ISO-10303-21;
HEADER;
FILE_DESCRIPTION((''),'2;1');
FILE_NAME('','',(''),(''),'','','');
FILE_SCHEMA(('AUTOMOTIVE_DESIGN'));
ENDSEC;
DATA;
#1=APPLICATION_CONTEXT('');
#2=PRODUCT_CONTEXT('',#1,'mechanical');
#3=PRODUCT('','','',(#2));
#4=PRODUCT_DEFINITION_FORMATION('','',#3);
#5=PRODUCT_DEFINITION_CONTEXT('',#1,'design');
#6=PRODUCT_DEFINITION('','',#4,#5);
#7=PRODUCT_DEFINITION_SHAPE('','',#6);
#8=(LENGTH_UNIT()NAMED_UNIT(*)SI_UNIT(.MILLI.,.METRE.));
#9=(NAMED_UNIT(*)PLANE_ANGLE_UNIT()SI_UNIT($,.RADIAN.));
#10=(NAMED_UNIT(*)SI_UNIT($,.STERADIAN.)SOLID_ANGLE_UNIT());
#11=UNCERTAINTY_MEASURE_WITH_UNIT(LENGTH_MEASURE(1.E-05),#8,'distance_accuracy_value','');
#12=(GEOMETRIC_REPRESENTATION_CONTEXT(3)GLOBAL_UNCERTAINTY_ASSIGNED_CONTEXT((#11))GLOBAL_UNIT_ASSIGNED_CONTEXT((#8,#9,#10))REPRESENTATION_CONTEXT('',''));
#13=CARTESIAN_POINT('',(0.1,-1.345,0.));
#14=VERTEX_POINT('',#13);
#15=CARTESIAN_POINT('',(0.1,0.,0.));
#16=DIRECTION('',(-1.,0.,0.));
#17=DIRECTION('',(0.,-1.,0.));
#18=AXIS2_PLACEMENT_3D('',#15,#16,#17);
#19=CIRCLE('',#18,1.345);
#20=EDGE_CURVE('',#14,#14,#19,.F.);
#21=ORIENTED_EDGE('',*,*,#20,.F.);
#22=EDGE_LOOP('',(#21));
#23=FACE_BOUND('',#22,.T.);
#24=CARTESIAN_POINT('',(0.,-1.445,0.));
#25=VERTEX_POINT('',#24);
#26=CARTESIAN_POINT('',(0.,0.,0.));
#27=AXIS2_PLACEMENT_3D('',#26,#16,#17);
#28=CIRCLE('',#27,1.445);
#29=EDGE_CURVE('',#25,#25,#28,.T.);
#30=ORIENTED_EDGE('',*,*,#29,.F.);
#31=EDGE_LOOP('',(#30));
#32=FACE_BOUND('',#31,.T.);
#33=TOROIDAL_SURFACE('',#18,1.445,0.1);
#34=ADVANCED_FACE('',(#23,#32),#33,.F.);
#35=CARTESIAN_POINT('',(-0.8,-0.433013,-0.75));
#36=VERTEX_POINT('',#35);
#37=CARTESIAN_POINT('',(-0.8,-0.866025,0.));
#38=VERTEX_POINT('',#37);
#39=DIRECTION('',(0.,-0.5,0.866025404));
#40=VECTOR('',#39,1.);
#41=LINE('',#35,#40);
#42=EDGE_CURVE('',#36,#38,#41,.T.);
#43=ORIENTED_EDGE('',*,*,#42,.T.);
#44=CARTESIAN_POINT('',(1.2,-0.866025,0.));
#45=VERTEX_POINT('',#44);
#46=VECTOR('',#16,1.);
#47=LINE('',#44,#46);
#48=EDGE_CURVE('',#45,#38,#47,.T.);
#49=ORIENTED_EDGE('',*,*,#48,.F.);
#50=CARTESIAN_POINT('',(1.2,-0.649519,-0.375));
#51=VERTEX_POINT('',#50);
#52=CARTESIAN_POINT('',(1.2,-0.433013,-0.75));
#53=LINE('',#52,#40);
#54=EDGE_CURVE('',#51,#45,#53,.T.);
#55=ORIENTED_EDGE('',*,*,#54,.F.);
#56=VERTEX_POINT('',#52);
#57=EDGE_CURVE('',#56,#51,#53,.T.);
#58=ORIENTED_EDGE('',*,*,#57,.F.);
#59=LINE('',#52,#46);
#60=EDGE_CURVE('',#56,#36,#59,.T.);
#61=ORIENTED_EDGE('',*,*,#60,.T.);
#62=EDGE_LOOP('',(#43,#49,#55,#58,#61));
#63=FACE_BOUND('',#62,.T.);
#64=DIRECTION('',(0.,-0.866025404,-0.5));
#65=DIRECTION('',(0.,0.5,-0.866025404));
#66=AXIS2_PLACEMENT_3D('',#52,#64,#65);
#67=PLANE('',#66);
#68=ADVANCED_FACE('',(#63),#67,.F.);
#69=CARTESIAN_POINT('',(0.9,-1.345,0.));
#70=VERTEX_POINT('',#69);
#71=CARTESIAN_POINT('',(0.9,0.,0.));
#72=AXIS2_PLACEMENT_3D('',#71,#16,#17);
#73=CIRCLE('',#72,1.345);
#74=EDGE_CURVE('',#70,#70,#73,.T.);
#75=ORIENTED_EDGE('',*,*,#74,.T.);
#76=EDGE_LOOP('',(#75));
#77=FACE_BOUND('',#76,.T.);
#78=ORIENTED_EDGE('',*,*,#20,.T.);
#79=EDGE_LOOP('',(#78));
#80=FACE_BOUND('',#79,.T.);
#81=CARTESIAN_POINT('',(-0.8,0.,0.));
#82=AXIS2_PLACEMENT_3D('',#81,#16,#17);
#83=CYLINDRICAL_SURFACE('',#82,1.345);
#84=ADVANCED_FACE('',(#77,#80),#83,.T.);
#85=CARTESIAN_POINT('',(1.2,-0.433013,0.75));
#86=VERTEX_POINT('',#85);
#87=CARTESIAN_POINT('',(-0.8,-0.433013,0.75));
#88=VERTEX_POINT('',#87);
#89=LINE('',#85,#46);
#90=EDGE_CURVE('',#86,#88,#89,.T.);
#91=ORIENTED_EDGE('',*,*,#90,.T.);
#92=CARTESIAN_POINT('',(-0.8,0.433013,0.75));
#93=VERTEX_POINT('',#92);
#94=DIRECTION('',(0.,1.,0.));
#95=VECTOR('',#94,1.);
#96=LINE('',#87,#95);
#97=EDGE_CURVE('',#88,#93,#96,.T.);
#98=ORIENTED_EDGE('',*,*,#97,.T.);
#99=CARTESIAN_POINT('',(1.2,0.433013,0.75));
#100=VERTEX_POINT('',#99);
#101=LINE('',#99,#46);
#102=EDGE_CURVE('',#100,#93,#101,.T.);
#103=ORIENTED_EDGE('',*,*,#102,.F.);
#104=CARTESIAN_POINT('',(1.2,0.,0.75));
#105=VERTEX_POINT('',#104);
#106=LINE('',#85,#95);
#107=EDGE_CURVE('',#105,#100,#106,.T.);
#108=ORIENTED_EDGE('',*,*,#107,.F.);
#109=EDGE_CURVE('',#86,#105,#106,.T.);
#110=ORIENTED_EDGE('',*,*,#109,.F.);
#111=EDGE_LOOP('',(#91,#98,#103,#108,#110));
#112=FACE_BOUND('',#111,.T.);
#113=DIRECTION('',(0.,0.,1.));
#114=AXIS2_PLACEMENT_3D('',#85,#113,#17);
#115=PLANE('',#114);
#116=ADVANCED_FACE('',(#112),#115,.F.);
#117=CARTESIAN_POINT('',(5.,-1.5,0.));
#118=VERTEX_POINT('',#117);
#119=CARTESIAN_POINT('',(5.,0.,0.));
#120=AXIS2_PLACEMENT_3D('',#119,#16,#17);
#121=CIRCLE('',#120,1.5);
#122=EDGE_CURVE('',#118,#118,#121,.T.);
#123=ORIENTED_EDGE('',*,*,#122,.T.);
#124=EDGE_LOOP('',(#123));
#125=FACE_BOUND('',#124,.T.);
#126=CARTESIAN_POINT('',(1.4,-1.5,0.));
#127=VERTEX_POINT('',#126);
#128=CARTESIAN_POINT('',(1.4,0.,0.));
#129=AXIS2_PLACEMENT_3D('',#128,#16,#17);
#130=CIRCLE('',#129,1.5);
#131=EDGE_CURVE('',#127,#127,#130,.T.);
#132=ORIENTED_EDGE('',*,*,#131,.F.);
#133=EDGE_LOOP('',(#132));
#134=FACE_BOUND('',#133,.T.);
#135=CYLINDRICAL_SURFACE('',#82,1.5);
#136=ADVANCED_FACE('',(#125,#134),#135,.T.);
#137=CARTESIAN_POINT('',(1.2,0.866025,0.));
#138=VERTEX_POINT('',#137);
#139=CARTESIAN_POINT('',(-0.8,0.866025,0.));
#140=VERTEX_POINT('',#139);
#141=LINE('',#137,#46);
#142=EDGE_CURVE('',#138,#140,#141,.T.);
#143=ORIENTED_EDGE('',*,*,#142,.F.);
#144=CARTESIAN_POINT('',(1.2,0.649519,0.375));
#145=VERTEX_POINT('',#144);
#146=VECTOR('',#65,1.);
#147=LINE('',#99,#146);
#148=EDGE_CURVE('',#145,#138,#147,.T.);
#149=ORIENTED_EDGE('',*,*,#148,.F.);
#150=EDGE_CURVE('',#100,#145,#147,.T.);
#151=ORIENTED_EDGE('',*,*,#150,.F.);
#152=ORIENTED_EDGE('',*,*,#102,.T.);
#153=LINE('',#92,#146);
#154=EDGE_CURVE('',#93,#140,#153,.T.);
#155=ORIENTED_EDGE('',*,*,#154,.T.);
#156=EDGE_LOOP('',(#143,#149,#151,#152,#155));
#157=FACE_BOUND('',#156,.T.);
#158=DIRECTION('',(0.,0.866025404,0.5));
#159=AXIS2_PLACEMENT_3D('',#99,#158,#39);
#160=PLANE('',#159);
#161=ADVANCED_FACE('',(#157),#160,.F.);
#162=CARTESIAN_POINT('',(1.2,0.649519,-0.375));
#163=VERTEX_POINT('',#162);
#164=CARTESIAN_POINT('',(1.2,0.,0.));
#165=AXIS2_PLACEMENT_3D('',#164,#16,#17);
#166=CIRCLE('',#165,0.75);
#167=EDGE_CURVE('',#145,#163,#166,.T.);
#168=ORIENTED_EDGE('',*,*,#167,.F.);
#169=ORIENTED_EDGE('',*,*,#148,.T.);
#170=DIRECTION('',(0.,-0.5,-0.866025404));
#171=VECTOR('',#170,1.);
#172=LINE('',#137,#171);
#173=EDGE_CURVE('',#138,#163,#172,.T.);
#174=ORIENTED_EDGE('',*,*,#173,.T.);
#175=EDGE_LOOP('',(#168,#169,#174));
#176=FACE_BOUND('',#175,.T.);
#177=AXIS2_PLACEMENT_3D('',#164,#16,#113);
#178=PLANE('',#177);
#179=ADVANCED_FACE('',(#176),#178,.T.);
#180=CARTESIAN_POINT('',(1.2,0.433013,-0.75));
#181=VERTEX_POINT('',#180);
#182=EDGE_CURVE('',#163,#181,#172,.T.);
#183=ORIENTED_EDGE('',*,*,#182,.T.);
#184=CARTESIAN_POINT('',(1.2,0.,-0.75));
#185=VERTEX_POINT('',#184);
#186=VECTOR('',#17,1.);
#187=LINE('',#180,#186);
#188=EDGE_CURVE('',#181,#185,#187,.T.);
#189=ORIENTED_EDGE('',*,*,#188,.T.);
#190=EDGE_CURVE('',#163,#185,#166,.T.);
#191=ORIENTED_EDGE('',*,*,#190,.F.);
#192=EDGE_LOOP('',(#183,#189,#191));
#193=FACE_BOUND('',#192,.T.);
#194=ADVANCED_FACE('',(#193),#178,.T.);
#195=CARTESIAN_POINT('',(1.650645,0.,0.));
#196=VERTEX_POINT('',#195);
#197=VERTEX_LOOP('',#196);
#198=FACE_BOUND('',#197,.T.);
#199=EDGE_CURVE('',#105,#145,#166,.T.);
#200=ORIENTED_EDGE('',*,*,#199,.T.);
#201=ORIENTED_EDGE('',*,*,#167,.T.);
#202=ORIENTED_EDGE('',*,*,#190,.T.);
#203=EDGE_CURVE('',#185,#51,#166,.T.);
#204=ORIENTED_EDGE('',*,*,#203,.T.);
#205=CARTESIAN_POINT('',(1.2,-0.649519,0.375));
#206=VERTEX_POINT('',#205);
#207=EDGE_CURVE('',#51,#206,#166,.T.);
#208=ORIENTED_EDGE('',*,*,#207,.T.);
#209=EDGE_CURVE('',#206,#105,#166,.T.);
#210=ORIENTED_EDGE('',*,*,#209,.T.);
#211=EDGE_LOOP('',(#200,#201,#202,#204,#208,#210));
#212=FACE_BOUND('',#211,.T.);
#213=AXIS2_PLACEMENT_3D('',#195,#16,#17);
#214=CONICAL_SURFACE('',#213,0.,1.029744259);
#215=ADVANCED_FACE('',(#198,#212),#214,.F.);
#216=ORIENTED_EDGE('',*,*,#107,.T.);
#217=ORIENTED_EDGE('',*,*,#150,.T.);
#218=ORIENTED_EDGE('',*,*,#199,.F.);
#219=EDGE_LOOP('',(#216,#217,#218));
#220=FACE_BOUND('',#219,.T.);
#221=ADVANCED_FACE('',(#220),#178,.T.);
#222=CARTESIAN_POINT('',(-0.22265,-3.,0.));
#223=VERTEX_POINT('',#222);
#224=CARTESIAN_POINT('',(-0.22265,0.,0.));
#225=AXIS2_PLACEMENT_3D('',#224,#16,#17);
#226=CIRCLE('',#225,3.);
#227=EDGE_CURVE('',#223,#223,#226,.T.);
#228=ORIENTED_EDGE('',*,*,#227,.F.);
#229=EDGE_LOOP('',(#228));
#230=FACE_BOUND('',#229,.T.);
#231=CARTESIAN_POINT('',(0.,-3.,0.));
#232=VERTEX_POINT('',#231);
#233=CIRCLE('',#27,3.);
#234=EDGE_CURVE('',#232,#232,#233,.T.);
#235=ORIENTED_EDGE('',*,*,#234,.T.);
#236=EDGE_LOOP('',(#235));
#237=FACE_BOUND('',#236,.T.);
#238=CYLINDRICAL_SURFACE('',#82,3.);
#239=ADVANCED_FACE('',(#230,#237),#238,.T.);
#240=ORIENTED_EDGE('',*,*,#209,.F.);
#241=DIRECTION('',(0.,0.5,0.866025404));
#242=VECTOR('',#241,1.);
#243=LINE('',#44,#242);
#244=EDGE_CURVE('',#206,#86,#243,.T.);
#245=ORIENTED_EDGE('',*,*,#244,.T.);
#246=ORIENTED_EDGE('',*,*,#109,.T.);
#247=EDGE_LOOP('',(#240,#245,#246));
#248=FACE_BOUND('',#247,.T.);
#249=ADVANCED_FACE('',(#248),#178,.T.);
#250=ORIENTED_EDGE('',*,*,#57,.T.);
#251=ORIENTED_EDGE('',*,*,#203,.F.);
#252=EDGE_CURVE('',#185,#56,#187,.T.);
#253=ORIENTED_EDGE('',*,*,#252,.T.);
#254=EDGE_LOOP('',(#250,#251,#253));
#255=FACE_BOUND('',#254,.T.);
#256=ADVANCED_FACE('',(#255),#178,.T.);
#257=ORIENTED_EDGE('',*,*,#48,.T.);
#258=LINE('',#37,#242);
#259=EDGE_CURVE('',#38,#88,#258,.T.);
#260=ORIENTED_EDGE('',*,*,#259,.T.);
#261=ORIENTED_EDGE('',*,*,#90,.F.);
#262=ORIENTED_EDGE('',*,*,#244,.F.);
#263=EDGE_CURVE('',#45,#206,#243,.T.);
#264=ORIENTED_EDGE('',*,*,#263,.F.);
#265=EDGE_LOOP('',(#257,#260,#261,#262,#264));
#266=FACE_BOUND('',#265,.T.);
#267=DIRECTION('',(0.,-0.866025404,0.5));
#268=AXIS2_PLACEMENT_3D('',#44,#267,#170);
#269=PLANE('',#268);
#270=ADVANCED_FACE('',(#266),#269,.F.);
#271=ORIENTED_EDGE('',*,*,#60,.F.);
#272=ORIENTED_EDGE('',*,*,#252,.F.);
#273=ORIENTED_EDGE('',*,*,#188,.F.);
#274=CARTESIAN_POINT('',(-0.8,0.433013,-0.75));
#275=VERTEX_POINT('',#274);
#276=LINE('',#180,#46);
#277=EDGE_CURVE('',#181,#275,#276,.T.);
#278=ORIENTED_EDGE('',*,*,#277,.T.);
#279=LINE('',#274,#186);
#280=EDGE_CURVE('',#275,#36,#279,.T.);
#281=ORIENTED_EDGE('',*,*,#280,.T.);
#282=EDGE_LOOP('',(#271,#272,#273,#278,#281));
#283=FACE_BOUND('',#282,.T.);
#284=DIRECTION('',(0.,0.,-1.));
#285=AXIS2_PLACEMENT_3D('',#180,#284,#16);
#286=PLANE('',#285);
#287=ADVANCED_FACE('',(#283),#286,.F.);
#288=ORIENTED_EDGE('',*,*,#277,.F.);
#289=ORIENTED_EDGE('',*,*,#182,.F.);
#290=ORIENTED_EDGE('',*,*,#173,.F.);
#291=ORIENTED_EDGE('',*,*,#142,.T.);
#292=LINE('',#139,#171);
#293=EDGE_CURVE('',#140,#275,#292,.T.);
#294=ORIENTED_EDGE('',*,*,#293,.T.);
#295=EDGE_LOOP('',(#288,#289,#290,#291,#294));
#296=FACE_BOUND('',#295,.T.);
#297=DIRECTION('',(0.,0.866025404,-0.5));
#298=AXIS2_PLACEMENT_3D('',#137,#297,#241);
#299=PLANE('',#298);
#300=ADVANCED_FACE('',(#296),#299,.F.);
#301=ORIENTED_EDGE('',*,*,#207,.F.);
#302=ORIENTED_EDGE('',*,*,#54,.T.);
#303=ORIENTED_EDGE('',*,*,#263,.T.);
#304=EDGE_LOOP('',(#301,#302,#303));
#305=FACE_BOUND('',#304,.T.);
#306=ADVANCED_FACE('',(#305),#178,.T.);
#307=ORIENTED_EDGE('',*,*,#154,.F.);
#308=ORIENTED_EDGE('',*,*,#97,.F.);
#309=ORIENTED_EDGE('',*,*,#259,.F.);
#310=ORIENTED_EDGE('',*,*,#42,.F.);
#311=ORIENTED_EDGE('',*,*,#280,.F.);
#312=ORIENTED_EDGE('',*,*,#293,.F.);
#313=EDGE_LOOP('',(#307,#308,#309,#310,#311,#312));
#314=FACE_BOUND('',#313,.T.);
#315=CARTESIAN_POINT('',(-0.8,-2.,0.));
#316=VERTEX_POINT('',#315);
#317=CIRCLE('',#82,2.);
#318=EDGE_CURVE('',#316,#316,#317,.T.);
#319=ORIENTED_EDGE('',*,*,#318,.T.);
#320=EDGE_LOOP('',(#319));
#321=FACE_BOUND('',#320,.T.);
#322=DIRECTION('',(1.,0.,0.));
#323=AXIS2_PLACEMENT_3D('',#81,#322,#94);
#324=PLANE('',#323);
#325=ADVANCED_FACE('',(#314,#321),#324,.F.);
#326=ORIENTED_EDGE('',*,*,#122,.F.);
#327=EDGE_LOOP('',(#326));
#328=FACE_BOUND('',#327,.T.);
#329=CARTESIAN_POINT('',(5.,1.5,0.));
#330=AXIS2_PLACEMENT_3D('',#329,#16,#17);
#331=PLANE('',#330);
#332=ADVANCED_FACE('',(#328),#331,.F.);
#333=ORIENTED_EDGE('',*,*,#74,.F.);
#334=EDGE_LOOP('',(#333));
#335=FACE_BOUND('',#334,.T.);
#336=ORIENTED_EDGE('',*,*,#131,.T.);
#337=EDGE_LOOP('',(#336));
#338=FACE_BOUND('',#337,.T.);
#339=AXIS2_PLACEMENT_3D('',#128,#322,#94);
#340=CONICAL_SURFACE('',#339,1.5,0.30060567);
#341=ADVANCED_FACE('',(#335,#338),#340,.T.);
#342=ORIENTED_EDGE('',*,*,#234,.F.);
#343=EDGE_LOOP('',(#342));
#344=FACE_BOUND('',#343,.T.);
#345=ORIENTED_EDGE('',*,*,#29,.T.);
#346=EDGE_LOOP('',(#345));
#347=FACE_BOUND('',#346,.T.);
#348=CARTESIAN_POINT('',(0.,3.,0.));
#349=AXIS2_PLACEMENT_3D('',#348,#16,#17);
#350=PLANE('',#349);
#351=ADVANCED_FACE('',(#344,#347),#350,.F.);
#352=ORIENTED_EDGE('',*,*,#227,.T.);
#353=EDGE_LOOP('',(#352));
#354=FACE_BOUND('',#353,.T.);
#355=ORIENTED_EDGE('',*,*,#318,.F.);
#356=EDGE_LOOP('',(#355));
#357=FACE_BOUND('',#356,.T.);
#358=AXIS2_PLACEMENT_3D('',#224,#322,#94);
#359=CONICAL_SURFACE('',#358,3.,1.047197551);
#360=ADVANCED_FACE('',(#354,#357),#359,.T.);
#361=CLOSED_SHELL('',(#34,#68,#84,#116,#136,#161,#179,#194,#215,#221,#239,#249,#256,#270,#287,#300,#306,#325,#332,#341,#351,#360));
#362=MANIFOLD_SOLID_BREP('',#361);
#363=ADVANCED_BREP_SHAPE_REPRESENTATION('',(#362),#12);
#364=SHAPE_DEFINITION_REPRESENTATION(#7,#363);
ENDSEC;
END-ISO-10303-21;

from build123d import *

# Parameters (mm, degrees)
FILLET1_R          = 0.1
CUT_EXTRUDE1_DEPTH = 2


with BuildPart() as part:
    # Sketch1 → Revolve1 (revolve)
    with BuildSketch(Plane.XY, mode=Mode.PRIVATE) as revolve1_sk:
        Polygon((-0.8, 0), (-0.8, 2), (-0.222649731, 3), (0, 3), (0, 1.345), (0.9, 1.345), (1.4, 1.5), (5, 1.5), (5, 0), align=None)
    revolve(revolve1_sk.sketch.rotate(Axis((-0.8, 0, 0), (1, 0, 0)), 180), axis=Axis((-0.8, 0, 0), (1, 0, 0)))

    # Fillet1
    fillet1_edges = [part.edges().sort_by_distance(p)[0] for p in [
        (0, 1.345, 0),
    ]]
    fillet(fillet1_edges, radius=FILLET1_R)

    # Sketch2 → Cut-Extrude1 (cut)
    with BuildSketch(Plane.ZY.offset(0.8)):
        Polygon((0, 0.866025404), (-0.75, 0.433012702), (-0.75, -0.433012702), (0, -0.866025404), (0.75, -0.433012702), (0.75, 0.433012702), align=None)
    extrude(amount=-CUT_EXTRUDE1_DEPTH, mode=Mode.SUBTRACT)

    # Sketch3 → Cut-Revolve1 (revolve, cut)
    with BuildSketch(Plane.XY, mode=Mode.PRIVATE) as cut_revolve1_sk:
        Polygon((1.2, 0), (1.2, 0.75), (1.650645464, 0), align=None)
    revolve(cut_revolve1_sk.sketch.rotate(Axis((1.2, 0, 0), (1, 0, 0)), 180), axis=Axis((1.2, 0, 0), (1, 0, 0)), mode=Mode.SUBTRACT)


solid = part.part
